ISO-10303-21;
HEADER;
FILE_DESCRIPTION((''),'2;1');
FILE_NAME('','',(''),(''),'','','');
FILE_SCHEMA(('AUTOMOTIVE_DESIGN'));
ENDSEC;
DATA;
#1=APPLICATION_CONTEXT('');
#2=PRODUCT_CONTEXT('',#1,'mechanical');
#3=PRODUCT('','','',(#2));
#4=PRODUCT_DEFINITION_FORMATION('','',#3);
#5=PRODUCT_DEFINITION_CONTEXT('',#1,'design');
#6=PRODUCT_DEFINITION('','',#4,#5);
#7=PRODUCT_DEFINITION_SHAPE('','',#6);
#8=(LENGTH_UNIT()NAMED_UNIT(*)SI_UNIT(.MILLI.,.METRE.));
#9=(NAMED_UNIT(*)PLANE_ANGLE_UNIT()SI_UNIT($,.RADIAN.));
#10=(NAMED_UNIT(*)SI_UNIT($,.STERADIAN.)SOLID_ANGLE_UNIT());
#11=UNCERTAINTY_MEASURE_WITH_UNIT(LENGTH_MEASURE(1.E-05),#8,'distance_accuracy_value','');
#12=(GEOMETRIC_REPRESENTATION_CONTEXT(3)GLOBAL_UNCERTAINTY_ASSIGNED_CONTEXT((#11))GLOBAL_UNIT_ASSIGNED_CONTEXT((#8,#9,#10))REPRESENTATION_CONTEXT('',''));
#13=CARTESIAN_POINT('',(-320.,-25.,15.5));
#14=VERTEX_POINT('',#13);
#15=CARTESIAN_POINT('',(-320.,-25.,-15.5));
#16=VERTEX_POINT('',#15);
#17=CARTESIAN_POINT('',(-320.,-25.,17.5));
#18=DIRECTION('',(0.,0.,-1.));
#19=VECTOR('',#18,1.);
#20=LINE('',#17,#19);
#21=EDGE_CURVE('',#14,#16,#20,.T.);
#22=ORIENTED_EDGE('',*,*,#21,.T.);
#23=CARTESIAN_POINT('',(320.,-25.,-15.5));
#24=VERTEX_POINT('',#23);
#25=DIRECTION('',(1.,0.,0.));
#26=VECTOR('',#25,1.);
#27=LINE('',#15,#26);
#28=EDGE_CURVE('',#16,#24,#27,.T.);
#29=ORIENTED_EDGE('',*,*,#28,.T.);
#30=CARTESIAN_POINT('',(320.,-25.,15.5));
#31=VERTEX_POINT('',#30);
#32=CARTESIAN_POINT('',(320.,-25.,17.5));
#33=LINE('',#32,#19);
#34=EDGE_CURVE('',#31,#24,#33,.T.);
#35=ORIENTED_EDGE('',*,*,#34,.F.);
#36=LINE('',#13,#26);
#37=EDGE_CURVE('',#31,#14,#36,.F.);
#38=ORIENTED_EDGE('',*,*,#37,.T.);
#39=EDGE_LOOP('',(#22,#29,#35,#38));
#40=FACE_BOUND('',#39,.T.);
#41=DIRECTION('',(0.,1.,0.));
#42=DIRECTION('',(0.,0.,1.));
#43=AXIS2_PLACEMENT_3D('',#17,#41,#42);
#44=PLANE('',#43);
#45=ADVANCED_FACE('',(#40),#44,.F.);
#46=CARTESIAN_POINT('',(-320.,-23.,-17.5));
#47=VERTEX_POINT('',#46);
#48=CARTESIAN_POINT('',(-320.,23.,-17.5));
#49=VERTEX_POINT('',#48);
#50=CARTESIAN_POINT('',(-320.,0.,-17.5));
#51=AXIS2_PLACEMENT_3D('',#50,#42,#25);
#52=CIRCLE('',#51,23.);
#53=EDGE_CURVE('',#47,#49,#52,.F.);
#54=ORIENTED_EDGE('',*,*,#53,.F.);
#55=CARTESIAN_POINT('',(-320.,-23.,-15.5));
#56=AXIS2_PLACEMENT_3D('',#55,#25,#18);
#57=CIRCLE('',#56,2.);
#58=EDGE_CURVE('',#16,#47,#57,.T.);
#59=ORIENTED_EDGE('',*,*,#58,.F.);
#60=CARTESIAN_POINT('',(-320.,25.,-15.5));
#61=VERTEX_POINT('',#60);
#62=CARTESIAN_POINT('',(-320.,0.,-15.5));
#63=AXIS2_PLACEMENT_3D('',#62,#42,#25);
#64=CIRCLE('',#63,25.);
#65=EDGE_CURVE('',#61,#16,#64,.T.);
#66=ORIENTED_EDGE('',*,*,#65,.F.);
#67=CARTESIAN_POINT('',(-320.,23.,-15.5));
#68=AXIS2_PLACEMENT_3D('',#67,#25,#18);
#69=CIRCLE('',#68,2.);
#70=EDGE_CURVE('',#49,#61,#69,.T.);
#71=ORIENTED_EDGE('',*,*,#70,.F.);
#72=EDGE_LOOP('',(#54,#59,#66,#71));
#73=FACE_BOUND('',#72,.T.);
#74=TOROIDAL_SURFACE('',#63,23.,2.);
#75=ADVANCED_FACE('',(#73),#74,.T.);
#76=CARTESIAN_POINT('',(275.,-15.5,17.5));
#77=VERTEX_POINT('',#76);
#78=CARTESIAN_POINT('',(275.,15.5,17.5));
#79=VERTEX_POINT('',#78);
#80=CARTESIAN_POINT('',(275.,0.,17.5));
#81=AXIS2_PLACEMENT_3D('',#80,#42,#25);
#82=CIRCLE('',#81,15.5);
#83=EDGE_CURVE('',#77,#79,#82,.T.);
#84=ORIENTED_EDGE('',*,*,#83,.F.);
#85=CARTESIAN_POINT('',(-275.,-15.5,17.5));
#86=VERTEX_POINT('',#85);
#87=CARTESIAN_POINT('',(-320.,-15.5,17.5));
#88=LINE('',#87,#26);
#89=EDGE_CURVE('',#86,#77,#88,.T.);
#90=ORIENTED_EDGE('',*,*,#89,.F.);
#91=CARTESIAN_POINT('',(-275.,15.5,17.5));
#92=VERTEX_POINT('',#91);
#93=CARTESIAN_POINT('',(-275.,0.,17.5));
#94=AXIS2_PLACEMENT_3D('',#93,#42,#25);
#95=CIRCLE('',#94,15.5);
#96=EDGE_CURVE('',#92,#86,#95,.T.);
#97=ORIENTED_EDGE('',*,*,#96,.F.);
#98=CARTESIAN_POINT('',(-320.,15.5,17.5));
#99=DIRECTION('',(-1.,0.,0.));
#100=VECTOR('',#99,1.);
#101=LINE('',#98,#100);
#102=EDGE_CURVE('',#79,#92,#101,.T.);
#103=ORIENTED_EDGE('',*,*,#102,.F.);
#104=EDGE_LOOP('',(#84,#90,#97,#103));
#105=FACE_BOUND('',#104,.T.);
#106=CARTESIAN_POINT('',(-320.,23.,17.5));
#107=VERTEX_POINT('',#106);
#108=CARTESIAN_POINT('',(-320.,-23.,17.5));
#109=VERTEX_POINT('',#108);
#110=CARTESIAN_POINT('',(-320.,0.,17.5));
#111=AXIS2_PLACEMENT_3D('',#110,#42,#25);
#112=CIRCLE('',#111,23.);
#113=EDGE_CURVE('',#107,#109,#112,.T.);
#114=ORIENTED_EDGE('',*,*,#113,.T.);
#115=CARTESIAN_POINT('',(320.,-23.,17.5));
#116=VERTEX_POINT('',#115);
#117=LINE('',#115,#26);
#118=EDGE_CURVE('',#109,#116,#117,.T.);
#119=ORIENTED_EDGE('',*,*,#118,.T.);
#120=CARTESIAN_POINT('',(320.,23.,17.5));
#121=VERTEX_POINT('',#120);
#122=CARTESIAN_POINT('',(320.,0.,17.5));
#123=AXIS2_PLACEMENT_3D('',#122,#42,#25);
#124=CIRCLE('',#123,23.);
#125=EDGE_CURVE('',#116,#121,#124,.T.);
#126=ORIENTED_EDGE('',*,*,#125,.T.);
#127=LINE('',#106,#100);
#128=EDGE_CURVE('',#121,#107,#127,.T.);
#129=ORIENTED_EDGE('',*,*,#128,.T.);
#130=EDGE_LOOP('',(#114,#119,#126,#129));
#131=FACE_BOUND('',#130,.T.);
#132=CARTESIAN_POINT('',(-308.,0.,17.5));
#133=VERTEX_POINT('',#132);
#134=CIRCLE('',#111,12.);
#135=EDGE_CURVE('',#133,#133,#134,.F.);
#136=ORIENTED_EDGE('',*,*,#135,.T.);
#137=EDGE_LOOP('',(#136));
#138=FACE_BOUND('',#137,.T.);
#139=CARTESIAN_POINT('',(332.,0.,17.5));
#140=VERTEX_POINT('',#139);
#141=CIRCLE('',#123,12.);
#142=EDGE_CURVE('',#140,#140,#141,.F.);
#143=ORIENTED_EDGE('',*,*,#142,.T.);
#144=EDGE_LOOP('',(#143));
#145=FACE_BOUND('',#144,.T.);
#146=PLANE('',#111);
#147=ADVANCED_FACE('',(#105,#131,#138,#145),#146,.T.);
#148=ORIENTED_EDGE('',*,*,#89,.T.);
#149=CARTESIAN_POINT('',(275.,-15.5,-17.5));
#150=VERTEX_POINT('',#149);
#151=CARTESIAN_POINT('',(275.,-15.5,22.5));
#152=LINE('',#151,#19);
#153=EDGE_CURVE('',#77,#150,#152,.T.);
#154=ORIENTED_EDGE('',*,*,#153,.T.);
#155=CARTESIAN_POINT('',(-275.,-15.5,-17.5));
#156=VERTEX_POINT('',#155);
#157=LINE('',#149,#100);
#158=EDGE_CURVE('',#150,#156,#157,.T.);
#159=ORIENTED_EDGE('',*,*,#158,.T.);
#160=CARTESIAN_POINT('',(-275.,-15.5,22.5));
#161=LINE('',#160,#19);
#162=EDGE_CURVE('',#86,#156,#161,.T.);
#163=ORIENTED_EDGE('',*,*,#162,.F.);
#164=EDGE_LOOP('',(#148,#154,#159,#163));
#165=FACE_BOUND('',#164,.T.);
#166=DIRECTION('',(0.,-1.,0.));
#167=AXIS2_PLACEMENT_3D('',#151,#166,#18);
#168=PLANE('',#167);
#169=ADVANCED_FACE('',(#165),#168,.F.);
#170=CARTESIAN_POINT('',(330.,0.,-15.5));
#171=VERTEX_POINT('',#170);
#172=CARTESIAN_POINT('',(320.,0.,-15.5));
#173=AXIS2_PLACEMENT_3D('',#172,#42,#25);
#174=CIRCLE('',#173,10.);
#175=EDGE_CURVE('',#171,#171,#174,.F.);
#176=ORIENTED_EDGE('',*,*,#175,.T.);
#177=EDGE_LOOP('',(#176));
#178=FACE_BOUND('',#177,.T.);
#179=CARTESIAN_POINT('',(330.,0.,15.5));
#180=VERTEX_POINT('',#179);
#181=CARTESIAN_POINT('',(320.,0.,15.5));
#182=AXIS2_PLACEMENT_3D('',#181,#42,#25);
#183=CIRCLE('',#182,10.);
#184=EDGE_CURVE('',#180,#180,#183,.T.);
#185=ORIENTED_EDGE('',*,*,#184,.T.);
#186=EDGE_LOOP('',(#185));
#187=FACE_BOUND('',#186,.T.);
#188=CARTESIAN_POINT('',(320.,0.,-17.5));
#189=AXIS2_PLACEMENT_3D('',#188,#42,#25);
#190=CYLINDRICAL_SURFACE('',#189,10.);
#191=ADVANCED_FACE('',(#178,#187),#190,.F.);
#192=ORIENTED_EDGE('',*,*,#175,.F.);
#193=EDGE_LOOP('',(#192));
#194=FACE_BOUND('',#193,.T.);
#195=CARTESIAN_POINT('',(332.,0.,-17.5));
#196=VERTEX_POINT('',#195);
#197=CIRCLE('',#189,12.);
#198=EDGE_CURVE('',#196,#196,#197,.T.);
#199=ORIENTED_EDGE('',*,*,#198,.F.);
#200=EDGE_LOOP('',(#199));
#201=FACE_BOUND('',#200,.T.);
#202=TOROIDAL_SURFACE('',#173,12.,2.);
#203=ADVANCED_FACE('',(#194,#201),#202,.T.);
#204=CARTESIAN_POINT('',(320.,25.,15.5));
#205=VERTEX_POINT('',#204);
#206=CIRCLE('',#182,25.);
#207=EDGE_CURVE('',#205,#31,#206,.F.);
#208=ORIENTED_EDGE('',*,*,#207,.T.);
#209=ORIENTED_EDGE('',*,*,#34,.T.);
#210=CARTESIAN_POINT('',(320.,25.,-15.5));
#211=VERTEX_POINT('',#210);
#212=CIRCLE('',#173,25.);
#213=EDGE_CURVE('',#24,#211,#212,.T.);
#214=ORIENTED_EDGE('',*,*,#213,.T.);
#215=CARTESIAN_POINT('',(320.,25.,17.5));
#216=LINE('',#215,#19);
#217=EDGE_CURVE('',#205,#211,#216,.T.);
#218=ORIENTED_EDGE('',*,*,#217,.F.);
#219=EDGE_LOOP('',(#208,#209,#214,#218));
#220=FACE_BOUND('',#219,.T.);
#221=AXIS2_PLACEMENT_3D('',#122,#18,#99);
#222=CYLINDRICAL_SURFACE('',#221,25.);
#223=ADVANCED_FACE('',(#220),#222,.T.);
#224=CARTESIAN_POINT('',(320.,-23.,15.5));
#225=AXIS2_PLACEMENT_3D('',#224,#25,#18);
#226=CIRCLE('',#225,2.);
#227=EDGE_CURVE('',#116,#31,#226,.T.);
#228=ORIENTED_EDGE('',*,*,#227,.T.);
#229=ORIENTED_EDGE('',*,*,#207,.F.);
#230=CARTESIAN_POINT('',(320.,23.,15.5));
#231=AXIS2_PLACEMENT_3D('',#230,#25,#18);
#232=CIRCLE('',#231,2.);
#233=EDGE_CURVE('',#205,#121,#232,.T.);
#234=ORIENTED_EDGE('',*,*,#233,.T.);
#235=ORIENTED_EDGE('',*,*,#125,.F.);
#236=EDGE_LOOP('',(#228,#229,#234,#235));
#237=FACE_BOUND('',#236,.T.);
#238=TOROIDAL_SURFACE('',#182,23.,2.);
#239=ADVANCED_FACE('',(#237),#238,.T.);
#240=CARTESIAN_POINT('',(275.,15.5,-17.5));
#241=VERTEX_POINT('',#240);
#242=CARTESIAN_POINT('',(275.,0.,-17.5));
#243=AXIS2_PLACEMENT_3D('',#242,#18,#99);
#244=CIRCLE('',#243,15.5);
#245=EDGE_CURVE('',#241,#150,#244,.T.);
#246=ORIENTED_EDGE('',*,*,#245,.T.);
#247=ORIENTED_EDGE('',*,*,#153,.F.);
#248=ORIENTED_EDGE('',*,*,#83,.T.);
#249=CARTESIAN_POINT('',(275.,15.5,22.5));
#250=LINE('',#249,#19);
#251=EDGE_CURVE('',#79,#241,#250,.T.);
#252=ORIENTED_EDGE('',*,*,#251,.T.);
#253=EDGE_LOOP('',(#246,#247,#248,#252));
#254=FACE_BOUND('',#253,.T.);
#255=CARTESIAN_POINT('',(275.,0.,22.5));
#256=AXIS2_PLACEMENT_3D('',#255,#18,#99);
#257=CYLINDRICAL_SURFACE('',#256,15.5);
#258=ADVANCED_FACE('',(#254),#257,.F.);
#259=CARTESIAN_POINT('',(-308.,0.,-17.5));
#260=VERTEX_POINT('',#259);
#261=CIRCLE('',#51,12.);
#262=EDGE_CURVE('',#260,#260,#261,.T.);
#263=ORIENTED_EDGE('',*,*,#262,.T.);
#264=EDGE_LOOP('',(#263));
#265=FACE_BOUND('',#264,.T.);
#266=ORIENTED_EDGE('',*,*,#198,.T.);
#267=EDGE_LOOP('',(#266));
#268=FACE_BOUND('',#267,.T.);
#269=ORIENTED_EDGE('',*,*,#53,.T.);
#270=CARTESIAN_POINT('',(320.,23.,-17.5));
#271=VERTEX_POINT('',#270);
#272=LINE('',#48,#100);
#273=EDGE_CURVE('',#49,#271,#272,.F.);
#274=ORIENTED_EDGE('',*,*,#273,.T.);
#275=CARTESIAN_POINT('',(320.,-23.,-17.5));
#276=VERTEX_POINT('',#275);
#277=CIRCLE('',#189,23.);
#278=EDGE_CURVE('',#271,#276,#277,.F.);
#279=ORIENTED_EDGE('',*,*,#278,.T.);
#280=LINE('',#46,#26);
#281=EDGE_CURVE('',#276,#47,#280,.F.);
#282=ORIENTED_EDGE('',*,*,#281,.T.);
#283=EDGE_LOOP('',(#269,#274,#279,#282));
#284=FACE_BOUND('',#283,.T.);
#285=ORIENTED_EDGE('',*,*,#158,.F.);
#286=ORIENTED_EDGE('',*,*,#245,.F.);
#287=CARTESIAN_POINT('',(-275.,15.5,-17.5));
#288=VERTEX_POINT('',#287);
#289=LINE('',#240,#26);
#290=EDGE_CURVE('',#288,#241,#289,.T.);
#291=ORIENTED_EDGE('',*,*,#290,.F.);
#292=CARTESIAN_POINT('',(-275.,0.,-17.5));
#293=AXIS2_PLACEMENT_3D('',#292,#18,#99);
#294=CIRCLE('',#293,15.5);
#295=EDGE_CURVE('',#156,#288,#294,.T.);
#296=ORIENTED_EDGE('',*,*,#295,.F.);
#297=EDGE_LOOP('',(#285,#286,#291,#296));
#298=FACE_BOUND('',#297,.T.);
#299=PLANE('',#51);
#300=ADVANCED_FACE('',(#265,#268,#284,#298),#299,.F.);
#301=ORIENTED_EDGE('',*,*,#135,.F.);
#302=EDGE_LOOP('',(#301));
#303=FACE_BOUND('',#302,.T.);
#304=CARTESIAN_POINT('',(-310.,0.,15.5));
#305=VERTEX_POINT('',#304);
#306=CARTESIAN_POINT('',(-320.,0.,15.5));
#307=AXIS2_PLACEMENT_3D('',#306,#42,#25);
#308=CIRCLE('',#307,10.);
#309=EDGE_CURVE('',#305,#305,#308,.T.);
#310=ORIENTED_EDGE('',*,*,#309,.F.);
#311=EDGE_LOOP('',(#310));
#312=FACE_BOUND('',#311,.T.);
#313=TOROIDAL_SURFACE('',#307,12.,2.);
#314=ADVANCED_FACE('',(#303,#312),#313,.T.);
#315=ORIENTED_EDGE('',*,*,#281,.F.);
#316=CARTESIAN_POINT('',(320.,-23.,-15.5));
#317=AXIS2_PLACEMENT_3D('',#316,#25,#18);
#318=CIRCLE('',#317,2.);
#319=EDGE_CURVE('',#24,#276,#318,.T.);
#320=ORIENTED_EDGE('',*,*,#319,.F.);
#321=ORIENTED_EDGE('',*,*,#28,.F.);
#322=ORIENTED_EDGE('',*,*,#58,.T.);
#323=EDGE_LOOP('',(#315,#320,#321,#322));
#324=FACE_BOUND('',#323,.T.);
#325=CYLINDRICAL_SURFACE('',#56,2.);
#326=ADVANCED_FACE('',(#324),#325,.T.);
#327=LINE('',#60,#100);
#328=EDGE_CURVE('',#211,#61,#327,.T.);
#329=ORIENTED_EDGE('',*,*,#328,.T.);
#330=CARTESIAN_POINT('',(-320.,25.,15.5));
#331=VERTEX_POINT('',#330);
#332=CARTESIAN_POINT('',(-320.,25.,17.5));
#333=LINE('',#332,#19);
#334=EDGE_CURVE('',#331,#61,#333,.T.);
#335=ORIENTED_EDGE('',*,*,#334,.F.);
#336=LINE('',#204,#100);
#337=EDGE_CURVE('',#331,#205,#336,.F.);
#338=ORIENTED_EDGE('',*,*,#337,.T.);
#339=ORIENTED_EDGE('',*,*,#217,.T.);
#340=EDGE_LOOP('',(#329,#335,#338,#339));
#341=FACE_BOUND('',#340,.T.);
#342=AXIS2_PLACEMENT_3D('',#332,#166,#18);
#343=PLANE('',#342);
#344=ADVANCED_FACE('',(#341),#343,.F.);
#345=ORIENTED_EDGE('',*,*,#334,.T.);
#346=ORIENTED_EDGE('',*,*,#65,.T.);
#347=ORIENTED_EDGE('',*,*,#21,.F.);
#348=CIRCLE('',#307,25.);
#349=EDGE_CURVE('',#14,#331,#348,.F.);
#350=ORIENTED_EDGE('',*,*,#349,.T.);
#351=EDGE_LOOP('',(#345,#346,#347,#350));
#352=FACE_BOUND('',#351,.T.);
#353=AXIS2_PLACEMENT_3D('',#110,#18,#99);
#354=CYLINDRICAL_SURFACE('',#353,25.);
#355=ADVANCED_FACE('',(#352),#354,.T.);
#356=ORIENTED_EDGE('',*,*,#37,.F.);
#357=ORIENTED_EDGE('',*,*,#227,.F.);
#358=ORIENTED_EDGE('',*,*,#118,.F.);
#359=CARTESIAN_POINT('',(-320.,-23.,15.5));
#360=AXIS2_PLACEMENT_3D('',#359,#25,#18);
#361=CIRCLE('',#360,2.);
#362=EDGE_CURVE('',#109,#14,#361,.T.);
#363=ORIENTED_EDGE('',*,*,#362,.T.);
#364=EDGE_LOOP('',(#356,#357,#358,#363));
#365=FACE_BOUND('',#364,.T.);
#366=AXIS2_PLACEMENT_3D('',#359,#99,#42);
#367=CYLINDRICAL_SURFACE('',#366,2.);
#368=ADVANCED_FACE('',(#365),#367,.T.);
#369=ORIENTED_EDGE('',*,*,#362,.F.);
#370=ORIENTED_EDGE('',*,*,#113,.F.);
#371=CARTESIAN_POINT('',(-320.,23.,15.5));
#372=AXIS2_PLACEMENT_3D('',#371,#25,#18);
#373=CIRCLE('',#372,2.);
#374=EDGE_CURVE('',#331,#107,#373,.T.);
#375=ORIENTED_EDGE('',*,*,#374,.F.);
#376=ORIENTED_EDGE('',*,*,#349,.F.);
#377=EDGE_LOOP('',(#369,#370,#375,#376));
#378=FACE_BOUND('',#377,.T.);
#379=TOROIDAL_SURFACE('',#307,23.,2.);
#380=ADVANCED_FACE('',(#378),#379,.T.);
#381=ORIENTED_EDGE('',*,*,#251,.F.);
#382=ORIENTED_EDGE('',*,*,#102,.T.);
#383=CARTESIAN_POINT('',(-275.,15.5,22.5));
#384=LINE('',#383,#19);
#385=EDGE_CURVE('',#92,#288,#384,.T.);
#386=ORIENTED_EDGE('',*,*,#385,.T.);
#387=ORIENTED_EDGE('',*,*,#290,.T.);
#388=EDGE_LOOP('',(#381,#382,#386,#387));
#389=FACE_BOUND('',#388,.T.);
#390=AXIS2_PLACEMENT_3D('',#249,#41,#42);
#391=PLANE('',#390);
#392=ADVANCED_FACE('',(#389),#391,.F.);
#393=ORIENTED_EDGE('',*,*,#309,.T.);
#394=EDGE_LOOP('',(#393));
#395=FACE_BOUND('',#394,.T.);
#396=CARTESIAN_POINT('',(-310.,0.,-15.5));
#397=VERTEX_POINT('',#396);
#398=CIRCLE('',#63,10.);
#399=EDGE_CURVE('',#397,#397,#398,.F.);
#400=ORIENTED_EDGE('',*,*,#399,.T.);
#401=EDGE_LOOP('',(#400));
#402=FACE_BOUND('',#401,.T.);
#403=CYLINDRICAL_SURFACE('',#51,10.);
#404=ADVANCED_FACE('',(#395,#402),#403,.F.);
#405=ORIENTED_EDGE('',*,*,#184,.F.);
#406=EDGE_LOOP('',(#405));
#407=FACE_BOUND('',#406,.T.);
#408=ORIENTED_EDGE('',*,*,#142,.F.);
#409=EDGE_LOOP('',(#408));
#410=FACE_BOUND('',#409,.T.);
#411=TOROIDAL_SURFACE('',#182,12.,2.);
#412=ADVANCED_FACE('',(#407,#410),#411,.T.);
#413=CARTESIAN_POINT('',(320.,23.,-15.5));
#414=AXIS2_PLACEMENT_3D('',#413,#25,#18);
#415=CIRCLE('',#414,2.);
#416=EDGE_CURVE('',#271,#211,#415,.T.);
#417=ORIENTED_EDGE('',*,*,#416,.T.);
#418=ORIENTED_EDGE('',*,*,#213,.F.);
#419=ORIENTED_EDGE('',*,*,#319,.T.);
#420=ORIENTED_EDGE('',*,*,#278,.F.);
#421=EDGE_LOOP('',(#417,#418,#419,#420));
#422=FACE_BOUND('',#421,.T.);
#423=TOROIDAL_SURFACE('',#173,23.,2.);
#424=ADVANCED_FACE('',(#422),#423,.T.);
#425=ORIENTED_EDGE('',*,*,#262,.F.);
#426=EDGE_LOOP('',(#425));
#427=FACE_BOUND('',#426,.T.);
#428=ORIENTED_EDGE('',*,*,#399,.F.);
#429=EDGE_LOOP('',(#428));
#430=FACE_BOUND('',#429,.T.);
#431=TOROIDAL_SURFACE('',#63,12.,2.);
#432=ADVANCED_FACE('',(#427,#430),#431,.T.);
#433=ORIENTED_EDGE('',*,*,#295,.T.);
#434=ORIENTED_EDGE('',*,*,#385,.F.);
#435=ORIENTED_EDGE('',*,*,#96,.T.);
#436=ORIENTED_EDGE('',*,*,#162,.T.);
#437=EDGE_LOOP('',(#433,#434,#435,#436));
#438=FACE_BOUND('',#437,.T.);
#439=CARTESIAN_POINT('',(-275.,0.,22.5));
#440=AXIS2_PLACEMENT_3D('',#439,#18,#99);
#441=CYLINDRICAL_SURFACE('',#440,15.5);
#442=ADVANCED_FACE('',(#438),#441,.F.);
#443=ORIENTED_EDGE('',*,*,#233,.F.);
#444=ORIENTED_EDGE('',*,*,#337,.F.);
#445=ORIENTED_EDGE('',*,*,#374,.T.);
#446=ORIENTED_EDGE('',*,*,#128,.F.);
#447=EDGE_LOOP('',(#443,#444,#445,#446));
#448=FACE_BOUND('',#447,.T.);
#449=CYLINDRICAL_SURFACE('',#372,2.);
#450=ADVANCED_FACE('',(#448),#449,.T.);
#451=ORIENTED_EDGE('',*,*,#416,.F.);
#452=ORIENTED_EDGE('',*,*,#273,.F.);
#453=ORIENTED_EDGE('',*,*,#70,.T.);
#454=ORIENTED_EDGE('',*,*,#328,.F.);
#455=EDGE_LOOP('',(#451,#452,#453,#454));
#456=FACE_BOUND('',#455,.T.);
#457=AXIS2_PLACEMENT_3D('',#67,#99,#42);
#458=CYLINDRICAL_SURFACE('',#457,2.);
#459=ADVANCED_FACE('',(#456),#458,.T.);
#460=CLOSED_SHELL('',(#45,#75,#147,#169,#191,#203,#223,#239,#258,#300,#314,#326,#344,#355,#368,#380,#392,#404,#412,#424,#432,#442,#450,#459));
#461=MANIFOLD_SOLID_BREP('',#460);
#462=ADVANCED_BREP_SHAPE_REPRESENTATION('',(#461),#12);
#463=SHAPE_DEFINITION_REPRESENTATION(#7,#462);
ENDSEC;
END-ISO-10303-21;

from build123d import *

# Parameters (mm, degrees)
BOSS_EXTRUDE2_DEPTH = 17.5
SKETCH5_R           = 10
CUT_EXTRUDE1_DEPTH  = 36
CUT_EXTRUDE2_DEPTH  = 40
FILLET1_R           = 2


with BuildPart() as part:
    # Sketch4 → Boss-Extrude2 (new body, symmetric)
    with BuildSketch(Plane.XY):
        with BuildLine():
            Line((-320, 25), (320, 25))
            ThreePointArc((320, 25), (345, 0), (320, -25))
            Line((320, -25), (-320, -25))
            ThreePointArc((-320, -25), (-345, 0), (-320, 25))
        make_face()
    extrude(amount=BOSS_EXTRUDE2_DEPTH, both=True)

    # Sketch5 → Cut-Extrude1 (cut, through all)
    with BuildSketch(Plane.XY.offset(17.5)):
        with Locations((320, 0)):
            Circle(SKETCH5_R)
        with Locations((-320, 0)):
            Circle(SKETCH5_R)
    extrude(amount=-CUT_EXTRUDE1_DEPTH, mode=Mode.SUBTRACT)

    # Sketch6 → Cut-Extrude2 (cut)
    with BuildSketch(Plane(origin=(0, 0, -17.5), x_dir=(-1, 0, 0), z_dir=(0, 0, -1))):
        with BuildLine():
            Line((-275, 15.5), (275, 15.5))
            ThreePointArc((275, 15.5), (290.5, 0), (275, -15.5))
            Line((275, -15.5), (-275, -15.5))
            ThreePointArc((-275, -15.5), (-290.5, 0), (-275, 15.5))
        make_face()
    extrude(amount=-CUT_EXTRUDE2_DEPTH, mode=Mode.SUBTRACT)

    # Fillet1
    fillet1_edges = [part.edges().sort_by_distance(p)[0] for p in [
        (345, 0, 17.5),
        (310, 0, -17.5),
        (310, 0, 17.5),
        (0, 25, 17.5),
        (-330, 0, -17.5),
        (-330, 0, 17.5),
        (-345, 0, 17.5),
        (0, 25, -17.5),
        (345, 0, -17.5),
        (0, -25, -17.5),
        (-345, 0, -17.5),
        (0, -25, 17.5),
    ]]
    fillet(fillet1_edges, radius=FILLET1_R)


solid = part.part
